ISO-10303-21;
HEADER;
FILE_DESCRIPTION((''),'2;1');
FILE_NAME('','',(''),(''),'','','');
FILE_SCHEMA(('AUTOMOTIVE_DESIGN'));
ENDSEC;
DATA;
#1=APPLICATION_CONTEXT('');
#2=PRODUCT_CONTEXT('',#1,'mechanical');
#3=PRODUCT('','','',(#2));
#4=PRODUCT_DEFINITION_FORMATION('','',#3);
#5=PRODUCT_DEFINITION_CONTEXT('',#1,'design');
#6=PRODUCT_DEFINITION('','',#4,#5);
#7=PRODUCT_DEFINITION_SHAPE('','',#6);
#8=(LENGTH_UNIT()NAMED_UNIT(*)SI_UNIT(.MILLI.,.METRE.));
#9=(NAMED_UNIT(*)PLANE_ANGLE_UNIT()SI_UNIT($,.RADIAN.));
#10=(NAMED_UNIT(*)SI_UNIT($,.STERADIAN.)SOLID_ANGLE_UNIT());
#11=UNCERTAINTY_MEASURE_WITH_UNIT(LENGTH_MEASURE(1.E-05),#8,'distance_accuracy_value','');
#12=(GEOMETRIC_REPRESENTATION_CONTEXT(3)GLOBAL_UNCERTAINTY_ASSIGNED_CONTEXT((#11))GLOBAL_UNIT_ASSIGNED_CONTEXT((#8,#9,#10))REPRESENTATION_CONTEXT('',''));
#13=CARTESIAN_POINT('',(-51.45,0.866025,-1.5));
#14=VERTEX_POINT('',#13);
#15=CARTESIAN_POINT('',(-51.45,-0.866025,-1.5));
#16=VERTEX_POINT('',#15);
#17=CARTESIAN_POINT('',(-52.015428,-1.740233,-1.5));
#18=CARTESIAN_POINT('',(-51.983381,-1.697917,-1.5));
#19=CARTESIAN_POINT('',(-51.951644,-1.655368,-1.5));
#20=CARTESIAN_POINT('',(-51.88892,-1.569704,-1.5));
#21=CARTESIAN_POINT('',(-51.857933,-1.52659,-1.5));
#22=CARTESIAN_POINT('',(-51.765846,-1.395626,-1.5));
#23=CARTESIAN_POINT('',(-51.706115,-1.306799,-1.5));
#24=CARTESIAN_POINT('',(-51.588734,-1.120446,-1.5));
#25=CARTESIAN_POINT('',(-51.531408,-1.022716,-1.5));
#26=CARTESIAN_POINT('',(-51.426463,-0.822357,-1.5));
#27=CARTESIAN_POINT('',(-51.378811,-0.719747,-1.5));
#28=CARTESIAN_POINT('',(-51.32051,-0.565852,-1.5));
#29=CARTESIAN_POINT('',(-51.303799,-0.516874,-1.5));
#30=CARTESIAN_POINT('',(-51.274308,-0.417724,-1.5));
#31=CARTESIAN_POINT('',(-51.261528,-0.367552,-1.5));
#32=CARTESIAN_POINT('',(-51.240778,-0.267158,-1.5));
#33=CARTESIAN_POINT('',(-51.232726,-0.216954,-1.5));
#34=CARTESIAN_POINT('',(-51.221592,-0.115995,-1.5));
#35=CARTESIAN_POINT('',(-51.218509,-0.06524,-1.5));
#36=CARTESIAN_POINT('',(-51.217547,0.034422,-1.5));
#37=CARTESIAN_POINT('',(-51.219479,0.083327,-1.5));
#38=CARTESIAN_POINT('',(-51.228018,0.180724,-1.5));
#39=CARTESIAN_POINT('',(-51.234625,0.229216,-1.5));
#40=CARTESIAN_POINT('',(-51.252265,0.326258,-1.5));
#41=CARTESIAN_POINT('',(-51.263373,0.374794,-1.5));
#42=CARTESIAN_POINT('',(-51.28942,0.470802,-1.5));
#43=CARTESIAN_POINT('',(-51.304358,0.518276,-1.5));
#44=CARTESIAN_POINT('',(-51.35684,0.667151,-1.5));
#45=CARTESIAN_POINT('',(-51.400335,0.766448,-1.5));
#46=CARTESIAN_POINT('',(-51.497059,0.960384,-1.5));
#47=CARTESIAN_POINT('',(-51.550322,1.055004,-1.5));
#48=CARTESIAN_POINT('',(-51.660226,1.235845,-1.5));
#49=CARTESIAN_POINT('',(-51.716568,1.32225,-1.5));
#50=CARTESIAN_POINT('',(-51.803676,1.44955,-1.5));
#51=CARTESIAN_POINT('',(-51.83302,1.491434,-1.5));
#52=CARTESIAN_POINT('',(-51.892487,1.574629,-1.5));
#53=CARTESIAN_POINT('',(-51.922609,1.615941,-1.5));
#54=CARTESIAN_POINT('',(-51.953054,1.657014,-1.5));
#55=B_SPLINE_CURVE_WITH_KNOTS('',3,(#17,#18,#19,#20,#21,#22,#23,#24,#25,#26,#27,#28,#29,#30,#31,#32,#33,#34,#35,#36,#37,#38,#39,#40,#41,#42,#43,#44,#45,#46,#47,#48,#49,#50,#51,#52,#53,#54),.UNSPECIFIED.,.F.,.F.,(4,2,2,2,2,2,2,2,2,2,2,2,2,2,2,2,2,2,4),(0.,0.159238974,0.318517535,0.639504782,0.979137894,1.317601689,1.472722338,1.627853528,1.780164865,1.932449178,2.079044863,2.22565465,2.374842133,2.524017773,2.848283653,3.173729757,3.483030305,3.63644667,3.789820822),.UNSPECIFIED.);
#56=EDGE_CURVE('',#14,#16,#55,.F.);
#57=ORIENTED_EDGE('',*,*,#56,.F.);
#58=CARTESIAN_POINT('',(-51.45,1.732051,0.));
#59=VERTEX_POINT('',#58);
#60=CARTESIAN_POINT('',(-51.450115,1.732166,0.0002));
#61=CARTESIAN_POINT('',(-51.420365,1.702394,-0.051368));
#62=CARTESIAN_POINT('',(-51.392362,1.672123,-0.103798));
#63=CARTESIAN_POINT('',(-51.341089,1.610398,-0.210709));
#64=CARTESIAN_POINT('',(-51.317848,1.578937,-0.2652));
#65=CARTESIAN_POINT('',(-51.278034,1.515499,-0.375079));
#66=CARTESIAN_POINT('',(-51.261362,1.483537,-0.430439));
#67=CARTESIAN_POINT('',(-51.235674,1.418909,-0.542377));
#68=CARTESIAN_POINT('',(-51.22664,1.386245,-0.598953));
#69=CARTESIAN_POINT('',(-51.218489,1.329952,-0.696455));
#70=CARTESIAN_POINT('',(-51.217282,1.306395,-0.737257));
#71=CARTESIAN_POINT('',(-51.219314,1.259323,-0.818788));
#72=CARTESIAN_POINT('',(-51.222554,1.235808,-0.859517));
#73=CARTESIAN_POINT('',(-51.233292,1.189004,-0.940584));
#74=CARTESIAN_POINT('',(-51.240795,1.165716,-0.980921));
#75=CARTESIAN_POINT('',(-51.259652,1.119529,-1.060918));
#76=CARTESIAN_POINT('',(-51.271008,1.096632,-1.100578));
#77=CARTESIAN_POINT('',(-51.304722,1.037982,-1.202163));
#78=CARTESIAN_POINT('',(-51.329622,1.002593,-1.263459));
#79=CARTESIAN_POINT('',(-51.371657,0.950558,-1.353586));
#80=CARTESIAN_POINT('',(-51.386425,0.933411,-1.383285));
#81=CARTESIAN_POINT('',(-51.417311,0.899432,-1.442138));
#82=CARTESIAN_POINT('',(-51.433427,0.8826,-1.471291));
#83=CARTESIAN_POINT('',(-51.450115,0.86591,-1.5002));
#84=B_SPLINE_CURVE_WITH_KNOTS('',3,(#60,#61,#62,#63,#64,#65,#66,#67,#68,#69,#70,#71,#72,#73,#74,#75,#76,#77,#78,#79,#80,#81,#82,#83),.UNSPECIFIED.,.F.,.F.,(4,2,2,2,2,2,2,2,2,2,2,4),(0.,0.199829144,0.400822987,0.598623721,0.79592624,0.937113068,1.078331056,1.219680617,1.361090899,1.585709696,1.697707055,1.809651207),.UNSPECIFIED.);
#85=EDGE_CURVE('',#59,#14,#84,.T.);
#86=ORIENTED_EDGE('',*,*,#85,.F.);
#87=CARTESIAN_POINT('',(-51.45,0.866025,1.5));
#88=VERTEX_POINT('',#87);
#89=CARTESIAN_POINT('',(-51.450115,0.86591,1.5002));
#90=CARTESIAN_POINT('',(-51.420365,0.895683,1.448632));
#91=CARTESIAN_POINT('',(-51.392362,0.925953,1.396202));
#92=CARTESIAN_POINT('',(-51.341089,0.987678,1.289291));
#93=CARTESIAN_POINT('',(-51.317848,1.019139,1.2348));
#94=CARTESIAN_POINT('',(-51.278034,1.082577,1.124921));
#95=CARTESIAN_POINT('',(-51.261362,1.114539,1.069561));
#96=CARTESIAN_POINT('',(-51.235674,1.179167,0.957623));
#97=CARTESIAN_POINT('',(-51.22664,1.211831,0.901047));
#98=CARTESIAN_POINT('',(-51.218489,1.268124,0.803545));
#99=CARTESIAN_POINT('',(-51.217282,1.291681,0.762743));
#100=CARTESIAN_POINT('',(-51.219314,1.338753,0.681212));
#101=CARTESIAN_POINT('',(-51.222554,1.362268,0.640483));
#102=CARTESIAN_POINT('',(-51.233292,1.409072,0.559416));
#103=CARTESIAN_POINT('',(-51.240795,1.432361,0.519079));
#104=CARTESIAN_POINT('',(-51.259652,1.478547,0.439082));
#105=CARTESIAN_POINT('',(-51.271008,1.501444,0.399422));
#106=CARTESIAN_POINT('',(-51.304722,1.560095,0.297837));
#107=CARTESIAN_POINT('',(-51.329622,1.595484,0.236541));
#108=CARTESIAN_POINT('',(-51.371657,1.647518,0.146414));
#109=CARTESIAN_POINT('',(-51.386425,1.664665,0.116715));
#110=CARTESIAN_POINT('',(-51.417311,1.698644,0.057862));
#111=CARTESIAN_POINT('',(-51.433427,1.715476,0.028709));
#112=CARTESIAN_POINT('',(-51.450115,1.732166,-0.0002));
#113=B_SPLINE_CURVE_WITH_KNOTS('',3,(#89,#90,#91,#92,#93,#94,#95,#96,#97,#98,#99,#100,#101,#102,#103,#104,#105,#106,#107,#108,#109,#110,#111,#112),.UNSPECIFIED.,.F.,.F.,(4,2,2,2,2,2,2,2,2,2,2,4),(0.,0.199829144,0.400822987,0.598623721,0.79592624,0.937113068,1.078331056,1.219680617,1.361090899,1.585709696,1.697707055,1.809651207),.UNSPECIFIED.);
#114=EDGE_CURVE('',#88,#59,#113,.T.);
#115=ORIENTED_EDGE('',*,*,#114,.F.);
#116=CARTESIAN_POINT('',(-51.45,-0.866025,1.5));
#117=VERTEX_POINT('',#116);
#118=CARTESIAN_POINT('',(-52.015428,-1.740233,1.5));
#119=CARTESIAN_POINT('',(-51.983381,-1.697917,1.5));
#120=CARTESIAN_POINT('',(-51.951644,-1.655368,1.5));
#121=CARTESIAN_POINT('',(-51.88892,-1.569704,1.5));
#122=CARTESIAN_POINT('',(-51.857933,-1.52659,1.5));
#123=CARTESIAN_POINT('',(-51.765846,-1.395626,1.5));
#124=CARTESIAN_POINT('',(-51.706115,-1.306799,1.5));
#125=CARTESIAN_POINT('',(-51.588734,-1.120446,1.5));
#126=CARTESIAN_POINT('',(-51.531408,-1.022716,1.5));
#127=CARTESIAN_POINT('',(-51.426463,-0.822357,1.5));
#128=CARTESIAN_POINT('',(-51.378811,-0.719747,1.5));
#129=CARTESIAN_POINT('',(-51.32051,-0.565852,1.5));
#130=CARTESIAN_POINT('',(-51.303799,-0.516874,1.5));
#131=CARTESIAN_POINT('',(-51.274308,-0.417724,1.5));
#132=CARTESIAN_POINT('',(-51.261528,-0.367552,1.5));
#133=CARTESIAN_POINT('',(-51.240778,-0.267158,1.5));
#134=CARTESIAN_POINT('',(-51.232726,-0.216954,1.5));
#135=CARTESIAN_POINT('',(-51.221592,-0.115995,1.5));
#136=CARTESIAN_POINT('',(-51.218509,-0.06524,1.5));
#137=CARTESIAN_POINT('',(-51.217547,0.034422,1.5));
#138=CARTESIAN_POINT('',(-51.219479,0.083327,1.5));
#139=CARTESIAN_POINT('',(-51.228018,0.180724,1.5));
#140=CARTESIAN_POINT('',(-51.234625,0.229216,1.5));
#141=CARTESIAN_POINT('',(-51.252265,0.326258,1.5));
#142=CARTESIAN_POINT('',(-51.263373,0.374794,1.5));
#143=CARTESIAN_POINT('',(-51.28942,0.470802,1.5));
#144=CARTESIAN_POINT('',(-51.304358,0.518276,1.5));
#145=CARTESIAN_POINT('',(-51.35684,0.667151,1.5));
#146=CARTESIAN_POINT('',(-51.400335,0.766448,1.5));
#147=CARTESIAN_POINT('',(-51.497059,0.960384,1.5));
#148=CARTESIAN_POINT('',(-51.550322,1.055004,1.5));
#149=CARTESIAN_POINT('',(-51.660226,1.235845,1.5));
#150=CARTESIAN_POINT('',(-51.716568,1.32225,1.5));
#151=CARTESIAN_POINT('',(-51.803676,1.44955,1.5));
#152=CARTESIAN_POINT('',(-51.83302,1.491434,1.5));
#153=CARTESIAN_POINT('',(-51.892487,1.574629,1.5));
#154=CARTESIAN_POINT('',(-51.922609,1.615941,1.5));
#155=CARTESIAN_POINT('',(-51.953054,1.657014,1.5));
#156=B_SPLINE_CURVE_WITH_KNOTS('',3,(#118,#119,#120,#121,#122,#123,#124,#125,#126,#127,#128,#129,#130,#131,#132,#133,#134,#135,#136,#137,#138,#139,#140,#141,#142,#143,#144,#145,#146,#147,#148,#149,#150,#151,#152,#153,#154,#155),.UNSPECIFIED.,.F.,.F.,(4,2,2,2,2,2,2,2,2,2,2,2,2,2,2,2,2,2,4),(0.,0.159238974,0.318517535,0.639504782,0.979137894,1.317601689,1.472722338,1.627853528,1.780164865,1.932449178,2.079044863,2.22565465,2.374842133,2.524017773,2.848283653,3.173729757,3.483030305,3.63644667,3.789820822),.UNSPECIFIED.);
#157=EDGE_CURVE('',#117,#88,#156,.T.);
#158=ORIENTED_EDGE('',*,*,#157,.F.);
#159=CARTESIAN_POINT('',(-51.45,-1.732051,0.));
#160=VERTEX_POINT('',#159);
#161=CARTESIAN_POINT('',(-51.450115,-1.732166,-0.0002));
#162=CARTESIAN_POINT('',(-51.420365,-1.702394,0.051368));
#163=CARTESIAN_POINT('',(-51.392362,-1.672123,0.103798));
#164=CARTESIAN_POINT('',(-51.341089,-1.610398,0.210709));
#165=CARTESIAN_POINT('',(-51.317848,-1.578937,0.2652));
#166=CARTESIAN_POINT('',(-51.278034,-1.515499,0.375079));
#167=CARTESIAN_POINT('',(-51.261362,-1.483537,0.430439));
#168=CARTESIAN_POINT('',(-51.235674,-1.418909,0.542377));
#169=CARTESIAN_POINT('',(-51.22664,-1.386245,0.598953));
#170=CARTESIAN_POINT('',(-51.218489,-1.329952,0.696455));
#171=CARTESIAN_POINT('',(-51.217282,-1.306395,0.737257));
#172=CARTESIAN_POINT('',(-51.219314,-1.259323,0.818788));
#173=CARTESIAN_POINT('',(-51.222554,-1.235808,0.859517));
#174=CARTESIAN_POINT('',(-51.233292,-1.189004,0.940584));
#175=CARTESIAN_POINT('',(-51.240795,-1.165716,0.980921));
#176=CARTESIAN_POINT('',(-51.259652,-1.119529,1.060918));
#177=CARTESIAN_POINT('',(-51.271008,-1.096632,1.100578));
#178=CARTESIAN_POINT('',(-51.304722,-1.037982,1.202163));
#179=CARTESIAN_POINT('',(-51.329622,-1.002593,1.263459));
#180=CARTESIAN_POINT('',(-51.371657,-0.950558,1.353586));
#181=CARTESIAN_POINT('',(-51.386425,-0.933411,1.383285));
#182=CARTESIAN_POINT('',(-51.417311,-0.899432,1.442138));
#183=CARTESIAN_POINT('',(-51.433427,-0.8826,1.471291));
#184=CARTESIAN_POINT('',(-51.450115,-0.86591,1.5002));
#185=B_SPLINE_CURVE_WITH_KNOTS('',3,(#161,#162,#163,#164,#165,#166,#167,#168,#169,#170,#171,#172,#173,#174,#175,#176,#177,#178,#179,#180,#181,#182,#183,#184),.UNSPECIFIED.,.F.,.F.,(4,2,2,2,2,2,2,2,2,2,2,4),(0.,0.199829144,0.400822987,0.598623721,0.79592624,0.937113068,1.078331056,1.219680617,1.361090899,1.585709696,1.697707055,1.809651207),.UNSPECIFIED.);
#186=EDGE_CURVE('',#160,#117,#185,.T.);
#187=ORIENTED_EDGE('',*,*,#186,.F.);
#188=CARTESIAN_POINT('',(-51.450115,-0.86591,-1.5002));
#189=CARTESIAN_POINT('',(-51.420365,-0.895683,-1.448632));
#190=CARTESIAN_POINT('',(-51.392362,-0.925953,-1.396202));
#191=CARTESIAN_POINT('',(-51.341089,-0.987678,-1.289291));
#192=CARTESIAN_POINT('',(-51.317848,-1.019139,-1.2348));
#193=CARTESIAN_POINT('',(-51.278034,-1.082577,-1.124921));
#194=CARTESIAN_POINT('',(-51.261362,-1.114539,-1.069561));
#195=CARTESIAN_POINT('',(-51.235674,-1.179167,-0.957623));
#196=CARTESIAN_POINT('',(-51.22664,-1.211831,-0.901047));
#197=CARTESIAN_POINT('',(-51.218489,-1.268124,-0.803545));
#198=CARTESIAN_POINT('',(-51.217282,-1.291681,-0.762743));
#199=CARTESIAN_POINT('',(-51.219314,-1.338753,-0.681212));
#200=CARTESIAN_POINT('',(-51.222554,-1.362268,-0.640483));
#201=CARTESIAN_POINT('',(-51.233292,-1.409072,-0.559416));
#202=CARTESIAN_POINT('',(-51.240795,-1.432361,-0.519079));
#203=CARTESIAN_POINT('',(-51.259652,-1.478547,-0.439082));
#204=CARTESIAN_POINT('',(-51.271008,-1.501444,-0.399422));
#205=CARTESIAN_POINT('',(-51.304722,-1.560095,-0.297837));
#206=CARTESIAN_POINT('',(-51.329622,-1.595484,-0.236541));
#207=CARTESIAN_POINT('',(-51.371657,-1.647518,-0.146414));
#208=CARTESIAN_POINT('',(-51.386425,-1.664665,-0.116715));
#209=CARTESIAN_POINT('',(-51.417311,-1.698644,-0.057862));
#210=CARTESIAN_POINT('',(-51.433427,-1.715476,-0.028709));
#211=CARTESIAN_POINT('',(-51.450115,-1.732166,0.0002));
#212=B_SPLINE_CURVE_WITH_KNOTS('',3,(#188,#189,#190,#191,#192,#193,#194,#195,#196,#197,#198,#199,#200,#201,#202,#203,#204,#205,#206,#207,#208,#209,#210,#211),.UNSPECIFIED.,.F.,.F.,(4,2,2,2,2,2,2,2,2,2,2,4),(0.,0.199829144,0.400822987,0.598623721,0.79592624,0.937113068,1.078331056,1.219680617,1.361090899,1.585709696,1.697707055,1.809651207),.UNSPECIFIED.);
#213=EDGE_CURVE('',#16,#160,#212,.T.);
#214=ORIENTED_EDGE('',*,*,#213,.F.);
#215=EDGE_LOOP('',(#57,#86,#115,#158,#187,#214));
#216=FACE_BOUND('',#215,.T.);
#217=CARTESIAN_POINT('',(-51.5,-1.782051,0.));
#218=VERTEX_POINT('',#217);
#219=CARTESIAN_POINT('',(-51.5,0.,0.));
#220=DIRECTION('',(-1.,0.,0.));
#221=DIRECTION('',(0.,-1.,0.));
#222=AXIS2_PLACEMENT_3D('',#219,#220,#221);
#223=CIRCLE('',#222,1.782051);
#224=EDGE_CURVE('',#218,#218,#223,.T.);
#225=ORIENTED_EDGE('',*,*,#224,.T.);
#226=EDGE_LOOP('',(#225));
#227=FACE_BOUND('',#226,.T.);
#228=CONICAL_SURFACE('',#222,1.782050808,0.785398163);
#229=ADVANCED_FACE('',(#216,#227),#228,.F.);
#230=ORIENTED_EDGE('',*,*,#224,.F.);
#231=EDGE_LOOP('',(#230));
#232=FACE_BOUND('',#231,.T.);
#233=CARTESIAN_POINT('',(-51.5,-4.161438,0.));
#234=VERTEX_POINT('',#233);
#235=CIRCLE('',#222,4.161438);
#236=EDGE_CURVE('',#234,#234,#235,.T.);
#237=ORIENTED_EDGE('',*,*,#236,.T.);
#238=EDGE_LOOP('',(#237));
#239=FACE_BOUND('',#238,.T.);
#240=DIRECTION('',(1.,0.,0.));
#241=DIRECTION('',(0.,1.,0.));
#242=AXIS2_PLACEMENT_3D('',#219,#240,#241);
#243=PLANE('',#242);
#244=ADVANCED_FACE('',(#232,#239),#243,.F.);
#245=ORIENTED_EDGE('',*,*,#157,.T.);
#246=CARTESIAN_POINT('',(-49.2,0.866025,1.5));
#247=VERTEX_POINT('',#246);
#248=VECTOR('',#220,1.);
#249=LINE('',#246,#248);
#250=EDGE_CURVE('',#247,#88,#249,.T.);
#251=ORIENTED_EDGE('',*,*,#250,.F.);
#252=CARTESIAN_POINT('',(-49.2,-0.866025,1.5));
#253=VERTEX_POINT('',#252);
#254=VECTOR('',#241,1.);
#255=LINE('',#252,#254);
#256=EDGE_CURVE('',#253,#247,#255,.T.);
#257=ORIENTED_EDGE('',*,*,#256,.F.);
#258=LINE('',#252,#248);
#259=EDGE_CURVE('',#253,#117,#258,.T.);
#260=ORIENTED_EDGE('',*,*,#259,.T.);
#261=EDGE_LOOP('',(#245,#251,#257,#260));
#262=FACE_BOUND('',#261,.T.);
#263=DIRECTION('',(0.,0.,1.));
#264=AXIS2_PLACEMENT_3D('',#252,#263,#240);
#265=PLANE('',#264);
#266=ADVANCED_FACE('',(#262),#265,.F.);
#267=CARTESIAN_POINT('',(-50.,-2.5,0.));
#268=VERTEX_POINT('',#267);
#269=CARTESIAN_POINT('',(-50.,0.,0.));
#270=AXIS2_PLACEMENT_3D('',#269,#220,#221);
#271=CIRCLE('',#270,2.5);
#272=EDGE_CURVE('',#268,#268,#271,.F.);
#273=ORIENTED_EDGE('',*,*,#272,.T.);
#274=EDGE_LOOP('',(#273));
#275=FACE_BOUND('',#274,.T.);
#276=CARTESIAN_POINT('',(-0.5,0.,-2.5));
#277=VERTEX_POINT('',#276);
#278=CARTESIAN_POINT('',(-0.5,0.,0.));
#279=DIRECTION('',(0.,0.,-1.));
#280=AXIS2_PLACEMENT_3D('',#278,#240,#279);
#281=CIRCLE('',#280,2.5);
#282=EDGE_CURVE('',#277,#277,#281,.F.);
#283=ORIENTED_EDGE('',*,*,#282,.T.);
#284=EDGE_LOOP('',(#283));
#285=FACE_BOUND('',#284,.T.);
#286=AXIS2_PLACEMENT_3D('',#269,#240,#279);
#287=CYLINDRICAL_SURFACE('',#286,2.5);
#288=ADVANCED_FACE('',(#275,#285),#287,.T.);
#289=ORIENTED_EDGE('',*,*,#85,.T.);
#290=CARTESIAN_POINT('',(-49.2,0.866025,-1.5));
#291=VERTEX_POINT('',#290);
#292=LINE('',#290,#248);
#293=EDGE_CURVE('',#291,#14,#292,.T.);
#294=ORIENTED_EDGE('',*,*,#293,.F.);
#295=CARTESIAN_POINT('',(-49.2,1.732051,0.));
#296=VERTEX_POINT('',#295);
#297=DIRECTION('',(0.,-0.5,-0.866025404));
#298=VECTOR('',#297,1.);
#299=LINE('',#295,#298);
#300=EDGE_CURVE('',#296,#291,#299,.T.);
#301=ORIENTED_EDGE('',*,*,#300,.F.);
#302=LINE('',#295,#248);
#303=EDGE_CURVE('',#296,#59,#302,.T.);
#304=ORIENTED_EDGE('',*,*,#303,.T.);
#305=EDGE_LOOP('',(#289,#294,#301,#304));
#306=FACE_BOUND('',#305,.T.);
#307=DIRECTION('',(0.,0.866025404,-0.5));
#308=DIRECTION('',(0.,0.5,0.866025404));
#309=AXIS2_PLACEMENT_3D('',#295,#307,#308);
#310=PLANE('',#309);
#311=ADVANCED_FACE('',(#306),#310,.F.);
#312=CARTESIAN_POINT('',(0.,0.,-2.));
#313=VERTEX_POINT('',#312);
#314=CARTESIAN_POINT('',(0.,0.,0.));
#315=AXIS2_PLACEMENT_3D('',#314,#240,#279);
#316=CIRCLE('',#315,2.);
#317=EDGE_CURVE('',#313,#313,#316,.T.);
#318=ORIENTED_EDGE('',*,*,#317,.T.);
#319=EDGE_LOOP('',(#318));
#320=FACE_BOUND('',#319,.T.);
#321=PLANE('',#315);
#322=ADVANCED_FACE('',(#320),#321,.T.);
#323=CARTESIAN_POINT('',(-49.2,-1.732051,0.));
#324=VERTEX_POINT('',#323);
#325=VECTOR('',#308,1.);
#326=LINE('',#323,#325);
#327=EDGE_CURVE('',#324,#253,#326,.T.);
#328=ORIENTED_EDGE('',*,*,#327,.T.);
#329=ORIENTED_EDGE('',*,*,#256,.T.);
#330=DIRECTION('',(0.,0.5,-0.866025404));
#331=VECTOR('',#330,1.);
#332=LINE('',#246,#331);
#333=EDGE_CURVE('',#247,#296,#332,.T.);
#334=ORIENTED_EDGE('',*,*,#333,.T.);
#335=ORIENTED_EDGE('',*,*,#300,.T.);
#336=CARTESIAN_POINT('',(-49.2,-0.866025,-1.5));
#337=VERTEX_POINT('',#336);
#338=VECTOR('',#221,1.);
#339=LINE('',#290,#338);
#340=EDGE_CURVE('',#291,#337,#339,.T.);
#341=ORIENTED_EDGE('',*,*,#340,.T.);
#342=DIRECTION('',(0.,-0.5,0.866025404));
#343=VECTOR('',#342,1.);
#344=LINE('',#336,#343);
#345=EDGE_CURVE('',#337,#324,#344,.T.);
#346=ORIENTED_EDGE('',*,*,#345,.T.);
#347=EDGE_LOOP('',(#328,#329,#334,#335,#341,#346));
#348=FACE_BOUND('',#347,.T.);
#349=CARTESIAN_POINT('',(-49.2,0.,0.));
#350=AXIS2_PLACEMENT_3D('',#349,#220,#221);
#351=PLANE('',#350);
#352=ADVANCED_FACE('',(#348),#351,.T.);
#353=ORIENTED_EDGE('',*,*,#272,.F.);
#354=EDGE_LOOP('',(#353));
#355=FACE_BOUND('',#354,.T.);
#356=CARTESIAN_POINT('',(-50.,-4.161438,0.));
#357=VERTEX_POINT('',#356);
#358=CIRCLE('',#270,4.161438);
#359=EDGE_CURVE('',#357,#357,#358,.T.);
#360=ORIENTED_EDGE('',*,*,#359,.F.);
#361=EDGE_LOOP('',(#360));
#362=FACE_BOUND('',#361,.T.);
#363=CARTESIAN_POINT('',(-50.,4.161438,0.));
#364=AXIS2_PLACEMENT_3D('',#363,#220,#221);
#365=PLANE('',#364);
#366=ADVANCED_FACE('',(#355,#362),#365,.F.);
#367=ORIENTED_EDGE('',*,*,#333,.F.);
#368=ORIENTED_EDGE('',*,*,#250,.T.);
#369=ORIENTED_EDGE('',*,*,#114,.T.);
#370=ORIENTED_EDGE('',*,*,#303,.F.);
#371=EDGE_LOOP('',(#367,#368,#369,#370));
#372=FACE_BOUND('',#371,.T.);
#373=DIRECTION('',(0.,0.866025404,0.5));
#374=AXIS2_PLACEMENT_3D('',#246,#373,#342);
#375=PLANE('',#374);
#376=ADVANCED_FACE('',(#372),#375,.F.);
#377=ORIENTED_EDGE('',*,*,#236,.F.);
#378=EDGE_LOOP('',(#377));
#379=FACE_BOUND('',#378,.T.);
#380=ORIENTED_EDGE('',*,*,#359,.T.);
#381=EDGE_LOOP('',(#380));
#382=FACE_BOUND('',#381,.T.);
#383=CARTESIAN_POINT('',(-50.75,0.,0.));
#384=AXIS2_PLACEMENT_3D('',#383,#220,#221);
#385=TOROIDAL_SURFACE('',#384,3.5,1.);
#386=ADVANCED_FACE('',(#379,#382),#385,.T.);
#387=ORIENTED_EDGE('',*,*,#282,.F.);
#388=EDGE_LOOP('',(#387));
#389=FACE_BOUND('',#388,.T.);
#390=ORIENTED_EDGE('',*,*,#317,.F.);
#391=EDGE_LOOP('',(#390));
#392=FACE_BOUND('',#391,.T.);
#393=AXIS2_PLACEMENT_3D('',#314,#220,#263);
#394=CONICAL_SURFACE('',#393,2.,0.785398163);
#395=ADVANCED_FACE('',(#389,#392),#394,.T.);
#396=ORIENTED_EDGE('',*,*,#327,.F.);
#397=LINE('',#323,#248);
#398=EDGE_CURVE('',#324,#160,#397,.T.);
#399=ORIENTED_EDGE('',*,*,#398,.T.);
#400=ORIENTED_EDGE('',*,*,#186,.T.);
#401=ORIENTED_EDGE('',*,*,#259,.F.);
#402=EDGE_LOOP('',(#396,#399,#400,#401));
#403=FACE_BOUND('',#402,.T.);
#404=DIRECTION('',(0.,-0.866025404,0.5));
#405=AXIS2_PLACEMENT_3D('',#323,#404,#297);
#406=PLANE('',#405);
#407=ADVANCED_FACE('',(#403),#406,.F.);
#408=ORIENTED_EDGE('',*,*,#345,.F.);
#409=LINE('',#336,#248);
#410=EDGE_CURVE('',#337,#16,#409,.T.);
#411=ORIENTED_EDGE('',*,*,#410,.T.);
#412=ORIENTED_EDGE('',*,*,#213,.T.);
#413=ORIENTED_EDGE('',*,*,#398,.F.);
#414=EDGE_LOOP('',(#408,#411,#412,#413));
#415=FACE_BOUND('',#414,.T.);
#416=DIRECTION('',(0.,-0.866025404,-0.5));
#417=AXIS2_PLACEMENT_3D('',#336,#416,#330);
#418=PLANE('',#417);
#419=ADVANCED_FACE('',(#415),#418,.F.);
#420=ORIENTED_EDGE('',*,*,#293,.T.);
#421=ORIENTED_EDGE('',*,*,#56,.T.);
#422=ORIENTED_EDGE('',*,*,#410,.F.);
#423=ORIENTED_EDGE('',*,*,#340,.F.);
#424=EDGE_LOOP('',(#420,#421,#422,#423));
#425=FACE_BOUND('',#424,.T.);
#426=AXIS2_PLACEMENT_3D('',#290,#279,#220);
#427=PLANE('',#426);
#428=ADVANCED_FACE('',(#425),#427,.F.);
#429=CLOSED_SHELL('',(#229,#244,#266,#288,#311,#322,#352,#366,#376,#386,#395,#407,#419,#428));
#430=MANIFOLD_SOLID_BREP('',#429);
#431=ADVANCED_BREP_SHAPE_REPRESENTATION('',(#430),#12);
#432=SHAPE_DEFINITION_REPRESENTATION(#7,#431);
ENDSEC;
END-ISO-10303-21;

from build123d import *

# Parameters (mm, degrees)
SKETCH2_R           = 2.5
BOSS_EXTRUDE1_DEPTH = 50
CHAMFER1_SIZE       = 0.5
CUT_EXTRUDE1_DEPTH  = 2.3
SKETCH8_R           = 1.782050808
CUT_EXTRUDE2_DEPTH  = 1
CUT_EXTRUDE2_TAPER  = 45


with BuildPart() as part:
    # Sketch2 → Boss-Extrude1 (new body)
    with BuildSketch(Plane(origin=(0, 0, 0), x_dir=(0, 0, -1), z_dir=(1, 0, 0))):
        Circle(SKETCH2_R)
    extrude(amount=-BOSS_EXTRUDE1_DEPTH)

    # Chamfer1
    chamfer1_edges = [part.edges().sort_by_distance(p)[0] for p in [
        (0, 0, 2.5),
    ]]
    chamfer(chamfer1_edges, length=CHAMFER1_SIZE)

    # Sketch6 → Revolve1 (revolve)
    with BuildSketch(Plane.XY):
        with BuildLine():
            Line((-51.5, 0), (-51.5, 4.161437828))
            ThreePointArc((-51.5, 4.161437828), (-50.75, 4.5), (-50, 4.161437828))
            Line((-50, 4.161437828), (-50, 0))
            Line((-50, 0), (-51.5, 0))
        make_face()
    revolve(axis=Axis((-50, 0, 0), (1, 0, 0)))

    # Sketch7 → Cut-Extrude1 (cut)
    with BuildSketch(Plane.ZY.offset(51.5)):
        Polygon((0, 1.732050808), (-1.5, 0.866025404), (-1.5, -0.866025404), (0, -1.732050808), (1.5, -0.866025404), (1.5, 0.866025404), align=None)
    extrude(amount=-CUT_EXTRUDE1_DEPTH, mode=Mode.SUBTRACT)

    # Sketch8 → Cut-Extrude2 (cut)
    with BuildSketch(Plane.ZY.offset(51.5)):
        Circle(SKETCH8_R)
    extrude(amount=-CUT_EXTRUDE2_DEPTH, taper=CUT_EXTRUDE2_TAPER, mode=Mode.SUBTRACT)


solid = part.part
